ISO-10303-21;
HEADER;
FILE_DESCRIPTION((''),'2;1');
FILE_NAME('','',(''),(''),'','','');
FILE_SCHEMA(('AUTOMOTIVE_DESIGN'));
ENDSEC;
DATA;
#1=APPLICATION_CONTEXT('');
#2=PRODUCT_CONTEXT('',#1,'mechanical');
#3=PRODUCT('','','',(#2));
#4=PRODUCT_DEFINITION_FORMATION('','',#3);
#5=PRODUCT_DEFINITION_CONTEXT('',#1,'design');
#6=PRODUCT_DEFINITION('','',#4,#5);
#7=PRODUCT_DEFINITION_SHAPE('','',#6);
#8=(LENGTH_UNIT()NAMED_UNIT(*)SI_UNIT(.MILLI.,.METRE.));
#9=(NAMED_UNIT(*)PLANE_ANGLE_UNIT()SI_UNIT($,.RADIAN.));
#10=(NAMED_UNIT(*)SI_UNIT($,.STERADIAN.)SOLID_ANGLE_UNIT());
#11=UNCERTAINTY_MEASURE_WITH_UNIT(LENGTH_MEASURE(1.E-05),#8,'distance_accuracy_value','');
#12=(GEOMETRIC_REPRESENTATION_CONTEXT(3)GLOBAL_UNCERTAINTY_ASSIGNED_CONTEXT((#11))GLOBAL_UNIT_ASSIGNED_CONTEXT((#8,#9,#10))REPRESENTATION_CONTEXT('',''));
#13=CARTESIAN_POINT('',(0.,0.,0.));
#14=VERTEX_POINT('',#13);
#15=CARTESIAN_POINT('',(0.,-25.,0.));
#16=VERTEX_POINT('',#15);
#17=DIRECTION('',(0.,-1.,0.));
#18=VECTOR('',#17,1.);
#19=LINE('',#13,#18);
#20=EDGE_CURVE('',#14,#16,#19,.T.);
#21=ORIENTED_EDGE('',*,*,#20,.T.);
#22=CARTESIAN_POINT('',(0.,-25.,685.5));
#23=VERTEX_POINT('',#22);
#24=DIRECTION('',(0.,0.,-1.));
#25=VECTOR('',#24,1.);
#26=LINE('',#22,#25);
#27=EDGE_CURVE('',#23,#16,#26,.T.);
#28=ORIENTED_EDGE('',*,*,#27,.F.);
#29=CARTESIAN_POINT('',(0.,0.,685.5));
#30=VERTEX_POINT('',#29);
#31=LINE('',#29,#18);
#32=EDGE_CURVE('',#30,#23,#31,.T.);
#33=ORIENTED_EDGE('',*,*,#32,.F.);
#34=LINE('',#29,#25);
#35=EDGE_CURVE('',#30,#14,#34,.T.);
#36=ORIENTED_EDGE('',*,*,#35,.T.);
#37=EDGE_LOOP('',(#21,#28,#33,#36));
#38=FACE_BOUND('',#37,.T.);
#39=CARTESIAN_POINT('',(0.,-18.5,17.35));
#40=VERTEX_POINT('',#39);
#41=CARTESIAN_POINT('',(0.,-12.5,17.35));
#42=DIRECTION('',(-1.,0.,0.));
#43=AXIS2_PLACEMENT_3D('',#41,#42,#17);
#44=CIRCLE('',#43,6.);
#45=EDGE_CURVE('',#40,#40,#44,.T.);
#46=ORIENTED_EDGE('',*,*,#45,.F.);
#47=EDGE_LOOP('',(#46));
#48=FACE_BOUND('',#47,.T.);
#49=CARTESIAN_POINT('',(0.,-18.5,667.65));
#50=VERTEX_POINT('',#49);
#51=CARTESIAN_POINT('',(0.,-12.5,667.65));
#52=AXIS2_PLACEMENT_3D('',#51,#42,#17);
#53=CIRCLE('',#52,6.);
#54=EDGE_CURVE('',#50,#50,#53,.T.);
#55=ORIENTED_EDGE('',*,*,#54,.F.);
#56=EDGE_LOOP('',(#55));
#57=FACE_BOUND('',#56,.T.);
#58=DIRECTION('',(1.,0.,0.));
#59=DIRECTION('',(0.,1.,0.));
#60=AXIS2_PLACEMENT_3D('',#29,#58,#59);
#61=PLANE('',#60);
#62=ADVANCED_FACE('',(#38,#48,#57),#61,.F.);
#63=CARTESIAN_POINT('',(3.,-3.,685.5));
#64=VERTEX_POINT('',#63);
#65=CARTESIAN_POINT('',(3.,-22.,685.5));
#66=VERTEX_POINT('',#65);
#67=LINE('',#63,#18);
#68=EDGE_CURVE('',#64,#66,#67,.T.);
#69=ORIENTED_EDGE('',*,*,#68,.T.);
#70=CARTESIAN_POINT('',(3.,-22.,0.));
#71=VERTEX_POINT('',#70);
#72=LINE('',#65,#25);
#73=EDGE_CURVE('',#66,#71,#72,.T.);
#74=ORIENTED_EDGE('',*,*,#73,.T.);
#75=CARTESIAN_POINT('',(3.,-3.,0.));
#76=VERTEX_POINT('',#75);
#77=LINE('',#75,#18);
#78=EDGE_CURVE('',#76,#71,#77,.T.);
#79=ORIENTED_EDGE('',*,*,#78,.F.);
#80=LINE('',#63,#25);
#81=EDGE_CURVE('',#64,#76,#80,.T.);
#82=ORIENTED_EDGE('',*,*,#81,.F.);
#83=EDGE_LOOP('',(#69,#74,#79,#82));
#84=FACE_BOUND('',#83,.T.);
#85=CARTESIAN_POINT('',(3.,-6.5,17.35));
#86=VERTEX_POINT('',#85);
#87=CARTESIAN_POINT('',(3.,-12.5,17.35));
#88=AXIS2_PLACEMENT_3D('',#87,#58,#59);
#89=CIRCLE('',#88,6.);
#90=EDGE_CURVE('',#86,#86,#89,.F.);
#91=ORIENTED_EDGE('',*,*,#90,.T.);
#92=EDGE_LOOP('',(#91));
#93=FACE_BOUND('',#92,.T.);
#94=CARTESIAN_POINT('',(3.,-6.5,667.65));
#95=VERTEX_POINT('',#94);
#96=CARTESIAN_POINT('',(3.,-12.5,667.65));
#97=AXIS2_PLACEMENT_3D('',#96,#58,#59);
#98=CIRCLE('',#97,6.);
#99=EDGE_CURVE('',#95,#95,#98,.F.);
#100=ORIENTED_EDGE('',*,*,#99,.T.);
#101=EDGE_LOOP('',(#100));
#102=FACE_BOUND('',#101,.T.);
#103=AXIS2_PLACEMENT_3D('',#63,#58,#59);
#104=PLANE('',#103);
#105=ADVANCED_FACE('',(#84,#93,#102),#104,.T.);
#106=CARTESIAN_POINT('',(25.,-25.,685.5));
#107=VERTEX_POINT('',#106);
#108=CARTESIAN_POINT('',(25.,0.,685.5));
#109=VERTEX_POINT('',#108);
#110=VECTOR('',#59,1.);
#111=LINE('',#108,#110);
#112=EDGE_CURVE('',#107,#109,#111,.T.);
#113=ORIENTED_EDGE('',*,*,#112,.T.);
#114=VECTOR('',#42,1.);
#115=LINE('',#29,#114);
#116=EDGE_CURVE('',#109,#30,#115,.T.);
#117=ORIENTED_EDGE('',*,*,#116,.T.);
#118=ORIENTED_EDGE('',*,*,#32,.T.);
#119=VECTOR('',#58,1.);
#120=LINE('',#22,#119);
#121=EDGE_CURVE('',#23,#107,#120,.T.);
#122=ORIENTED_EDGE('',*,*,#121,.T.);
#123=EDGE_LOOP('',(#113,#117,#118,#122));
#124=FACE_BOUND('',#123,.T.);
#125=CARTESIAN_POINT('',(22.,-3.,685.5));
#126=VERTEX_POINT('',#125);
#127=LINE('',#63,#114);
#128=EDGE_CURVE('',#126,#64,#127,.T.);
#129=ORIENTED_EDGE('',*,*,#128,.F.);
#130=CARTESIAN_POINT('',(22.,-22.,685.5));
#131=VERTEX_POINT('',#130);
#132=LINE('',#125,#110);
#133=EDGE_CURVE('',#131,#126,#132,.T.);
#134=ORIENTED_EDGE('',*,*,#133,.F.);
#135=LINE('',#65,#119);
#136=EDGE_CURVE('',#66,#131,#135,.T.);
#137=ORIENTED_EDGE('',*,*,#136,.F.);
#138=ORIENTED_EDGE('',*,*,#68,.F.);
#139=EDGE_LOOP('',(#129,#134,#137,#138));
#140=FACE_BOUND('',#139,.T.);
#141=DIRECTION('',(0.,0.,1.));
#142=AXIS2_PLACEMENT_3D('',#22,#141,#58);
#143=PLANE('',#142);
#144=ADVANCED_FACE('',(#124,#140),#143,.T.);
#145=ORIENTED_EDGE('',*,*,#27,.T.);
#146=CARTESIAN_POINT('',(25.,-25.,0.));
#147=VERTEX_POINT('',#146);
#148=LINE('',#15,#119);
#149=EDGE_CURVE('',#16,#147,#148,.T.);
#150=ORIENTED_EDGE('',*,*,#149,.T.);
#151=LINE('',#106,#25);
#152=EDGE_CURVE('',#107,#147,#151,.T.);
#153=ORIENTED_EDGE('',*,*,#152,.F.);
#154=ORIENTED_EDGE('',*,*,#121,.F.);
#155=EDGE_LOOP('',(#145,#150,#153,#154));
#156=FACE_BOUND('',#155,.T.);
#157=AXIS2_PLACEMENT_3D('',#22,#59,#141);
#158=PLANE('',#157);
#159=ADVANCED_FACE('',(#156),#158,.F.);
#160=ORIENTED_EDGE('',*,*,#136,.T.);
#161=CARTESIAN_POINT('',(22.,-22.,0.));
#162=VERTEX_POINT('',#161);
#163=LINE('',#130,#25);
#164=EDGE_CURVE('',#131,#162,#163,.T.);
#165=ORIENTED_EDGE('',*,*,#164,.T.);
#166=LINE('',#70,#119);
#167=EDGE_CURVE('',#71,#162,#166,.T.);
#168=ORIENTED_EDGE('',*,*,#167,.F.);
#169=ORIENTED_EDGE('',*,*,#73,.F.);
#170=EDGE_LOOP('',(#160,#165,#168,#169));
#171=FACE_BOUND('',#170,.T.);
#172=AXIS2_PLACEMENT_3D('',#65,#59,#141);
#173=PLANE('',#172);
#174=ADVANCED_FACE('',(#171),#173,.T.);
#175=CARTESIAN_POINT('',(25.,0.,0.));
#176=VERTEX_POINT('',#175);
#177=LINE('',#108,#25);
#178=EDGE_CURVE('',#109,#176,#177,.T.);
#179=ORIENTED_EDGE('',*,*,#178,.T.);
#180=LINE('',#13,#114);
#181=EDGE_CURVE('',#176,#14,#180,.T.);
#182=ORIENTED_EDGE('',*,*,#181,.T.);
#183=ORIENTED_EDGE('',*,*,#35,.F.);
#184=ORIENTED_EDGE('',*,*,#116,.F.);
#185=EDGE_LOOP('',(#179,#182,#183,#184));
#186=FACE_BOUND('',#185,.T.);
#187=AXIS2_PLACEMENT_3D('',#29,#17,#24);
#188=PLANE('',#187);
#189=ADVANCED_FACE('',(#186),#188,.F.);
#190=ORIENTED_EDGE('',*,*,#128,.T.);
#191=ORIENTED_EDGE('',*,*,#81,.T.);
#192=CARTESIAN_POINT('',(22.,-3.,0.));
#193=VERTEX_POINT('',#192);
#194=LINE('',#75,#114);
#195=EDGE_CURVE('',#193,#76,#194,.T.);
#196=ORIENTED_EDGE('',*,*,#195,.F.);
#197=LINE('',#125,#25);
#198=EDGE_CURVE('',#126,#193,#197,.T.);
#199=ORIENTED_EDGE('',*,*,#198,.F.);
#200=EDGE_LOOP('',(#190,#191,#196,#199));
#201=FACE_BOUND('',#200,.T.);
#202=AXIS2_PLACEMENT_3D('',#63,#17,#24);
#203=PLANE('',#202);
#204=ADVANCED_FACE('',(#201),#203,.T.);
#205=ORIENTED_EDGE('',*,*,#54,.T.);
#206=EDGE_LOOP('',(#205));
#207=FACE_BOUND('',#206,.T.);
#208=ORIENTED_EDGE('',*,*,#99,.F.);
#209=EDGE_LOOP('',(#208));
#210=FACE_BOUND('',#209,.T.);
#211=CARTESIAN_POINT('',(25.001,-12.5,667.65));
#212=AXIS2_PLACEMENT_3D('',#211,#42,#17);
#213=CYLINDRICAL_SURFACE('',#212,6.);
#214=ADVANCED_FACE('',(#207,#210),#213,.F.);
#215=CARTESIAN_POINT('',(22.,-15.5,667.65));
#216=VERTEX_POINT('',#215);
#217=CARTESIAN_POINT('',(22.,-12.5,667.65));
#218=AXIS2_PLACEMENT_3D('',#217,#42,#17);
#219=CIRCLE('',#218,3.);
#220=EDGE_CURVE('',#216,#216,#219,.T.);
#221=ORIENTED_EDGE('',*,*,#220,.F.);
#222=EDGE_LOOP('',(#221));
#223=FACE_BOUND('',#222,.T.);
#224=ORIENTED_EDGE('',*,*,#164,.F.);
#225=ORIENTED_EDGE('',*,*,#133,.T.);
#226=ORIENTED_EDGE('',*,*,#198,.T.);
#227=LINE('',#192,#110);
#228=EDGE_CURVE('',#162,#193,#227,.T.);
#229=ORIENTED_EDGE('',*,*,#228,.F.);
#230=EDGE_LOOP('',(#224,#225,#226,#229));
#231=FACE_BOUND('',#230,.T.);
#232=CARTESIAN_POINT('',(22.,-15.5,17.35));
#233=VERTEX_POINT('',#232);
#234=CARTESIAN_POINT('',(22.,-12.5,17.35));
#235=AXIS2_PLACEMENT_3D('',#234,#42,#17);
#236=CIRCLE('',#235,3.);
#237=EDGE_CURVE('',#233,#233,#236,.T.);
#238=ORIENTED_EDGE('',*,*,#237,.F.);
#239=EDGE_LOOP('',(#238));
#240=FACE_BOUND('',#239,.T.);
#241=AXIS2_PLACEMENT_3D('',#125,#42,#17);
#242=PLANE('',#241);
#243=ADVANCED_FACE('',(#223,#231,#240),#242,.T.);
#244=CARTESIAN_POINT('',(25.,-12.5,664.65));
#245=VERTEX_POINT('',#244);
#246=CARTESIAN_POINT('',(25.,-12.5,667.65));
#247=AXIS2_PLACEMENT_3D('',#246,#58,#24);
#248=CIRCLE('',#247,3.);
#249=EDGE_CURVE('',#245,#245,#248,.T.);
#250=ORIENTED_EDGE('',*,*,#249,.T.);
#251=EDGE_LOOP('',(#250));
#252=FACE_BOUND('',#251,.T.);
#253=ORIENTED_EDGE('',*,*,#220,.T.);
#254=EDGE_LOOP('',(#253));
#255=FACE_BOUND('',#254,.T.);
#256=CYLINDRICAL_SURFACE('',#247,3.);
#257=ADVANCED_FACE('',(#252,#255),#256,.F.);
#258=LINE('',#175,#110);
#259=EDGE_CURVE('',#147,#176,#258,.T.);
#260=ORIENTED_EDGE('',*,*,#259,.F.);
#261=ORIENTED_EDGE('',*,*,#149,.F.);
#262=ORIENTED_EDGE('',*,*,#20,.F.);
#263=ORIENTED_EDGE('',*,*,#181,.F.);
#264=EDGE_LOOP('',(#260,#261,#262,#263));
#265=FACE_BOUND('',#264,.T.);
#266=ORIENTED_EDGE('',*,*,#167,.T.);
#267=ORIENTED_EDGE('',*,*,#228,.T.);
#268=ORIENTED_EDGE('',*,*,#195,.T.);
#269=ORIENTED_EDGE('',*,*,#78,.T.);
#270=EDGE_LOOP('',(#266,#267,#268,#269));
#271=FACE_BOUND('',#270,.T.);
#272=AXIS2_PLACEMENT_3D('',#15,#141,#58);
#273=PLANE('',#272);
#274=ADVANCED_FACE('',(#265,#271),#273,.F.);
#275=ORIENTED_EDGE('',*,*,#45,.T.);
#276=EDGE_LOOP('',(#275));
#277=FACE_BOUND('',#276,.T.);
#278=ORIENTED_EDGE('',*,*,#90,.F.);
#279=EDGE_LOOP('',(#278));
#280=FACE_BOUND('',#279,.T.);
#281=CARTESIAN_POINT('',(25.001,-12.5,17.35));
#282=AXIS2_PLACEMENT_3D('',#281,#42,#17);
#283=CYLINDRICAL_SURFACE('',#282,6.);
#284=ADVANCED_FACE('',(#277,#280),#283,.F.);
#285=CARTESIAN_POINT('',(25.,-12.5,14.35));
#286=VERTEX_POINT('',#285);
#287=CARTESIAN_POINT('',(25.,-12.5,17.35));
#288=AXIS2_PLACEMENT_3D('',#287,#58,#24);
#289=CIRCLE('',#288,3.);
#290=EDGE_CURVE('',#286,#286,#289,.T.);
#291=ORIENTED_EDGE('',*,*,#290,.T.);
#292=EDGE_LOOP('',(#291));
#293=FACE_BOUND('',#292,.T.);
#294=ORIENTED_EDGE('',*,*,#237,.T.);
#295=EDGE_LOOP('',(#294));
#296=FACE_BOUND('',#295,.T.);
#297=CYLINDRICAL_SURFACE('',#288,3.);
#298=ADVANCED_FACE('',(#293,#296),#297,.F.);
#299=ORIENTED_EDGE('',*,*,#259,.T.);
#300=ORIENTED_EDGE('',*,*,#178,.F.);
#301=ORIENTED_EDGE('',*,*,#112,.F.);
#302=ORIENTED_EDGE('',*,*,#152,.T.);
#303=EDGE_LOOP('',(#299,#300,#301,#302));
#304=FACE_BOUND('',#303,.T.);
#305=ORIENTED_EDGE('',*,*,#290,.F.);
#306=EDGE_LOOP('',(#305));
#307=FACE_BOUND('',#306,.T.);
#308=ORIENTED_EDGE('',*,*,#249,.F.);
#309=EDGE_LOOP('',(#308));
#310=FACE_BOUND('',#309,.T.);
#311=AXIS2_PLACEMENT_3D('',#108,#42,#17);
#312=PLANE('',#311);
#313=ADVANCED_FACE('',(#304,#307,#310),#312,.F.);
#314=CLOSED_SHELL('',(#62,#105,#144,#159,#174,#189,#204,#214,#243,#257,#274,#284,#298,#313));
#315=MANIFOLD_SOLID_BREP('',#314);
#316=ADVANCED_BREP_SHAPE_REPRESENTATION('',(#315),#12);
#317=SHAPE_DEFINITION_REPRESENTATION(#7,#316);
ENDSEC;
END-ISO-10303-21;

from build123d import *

# Parameters (mm, degrees)
SKETCH_1_W             = 25
SKETCH_1_H             = 25
SKETCH_1_W_2           = 19
SKETCH_1_H_2           = 19
EXTRUDE_1_DEPTH        = 685.5
HOLE_WIZARD_6_0_6_1_D  = 6
CUT_EXTRUDE_1_REACH    = 688.411
SKETCH_5_R             = 6
PATTERN_LINEAR_1_COUNT = 2
PATTERN_LINEAR_1_PITCH = 650.3


with BuildPart() as part:
    # 草图1 → 拉伸1 (new body)
    with BuildSketch(Plane.XY):
        with Locations((12.5, -12.5)):
            Rectangle(SKETCH_1_W, SKETCH_1_H)
        with Locations((12.5, -12.5)):
            Rectangle(SKETCH_1_W_2, SKETCH_1_H_2, mode=Mode.SUBTRACT)
    extrude(amount=EXTRUDE_1_DEPTH)

    # Ø6.0 (6) 直径孔1 (through all)
    with Locations(Plane(origin=(25, 0, 0), x_dir=(0, 0, -1), z_dir=(1, 0, 0))):
        with Locations((-667.65, -12.5)):
            hole_wizard_6_0_6_1 = Hole(HOLE_WIZARD_6_0_6_1_D / 2)

    # 草图5 → 切除-拉伸1 (cut, up to next)
    with BuildSketch(Plane.ZY, mode=Mode.PRIVATE) as cut_extrude_1_sk1:
        with Locations(Location((667.65, -12.5, 0), (0, 0, 270))):
            Circle(SKETCH_5_R)
    cut_extrude_1_tool1 = extrude(cut_extrude_1_sk1.sketch, amount=-CUT_EXTRUDE_1_REACH, mode=Mode.PRIVATE) & part.part
    cut_extrude_1 = cut_extrude_1_tool1.solids().sort_by_distance((0, -12.5, 667.65))[0]
    add(cut_extrude_1, mode=Mode.SUBTRACT)

    # 阵列(线性)1: Ø6.0 (6) 直径孔1, 切除-拉伸1 ×2
    with Locations(*[(0, 0, -i * PATTERN_LINEAR_1_PITCH) for i in range(1, PATTERN_LINEAR_1_COUNT)]):
        add(hole_wizard_6_0_6_1, mode=Mode.SUBTRACT)
        add(cut_extrude_1, mode=Mode.SUBTRACT)


solid = part.part
